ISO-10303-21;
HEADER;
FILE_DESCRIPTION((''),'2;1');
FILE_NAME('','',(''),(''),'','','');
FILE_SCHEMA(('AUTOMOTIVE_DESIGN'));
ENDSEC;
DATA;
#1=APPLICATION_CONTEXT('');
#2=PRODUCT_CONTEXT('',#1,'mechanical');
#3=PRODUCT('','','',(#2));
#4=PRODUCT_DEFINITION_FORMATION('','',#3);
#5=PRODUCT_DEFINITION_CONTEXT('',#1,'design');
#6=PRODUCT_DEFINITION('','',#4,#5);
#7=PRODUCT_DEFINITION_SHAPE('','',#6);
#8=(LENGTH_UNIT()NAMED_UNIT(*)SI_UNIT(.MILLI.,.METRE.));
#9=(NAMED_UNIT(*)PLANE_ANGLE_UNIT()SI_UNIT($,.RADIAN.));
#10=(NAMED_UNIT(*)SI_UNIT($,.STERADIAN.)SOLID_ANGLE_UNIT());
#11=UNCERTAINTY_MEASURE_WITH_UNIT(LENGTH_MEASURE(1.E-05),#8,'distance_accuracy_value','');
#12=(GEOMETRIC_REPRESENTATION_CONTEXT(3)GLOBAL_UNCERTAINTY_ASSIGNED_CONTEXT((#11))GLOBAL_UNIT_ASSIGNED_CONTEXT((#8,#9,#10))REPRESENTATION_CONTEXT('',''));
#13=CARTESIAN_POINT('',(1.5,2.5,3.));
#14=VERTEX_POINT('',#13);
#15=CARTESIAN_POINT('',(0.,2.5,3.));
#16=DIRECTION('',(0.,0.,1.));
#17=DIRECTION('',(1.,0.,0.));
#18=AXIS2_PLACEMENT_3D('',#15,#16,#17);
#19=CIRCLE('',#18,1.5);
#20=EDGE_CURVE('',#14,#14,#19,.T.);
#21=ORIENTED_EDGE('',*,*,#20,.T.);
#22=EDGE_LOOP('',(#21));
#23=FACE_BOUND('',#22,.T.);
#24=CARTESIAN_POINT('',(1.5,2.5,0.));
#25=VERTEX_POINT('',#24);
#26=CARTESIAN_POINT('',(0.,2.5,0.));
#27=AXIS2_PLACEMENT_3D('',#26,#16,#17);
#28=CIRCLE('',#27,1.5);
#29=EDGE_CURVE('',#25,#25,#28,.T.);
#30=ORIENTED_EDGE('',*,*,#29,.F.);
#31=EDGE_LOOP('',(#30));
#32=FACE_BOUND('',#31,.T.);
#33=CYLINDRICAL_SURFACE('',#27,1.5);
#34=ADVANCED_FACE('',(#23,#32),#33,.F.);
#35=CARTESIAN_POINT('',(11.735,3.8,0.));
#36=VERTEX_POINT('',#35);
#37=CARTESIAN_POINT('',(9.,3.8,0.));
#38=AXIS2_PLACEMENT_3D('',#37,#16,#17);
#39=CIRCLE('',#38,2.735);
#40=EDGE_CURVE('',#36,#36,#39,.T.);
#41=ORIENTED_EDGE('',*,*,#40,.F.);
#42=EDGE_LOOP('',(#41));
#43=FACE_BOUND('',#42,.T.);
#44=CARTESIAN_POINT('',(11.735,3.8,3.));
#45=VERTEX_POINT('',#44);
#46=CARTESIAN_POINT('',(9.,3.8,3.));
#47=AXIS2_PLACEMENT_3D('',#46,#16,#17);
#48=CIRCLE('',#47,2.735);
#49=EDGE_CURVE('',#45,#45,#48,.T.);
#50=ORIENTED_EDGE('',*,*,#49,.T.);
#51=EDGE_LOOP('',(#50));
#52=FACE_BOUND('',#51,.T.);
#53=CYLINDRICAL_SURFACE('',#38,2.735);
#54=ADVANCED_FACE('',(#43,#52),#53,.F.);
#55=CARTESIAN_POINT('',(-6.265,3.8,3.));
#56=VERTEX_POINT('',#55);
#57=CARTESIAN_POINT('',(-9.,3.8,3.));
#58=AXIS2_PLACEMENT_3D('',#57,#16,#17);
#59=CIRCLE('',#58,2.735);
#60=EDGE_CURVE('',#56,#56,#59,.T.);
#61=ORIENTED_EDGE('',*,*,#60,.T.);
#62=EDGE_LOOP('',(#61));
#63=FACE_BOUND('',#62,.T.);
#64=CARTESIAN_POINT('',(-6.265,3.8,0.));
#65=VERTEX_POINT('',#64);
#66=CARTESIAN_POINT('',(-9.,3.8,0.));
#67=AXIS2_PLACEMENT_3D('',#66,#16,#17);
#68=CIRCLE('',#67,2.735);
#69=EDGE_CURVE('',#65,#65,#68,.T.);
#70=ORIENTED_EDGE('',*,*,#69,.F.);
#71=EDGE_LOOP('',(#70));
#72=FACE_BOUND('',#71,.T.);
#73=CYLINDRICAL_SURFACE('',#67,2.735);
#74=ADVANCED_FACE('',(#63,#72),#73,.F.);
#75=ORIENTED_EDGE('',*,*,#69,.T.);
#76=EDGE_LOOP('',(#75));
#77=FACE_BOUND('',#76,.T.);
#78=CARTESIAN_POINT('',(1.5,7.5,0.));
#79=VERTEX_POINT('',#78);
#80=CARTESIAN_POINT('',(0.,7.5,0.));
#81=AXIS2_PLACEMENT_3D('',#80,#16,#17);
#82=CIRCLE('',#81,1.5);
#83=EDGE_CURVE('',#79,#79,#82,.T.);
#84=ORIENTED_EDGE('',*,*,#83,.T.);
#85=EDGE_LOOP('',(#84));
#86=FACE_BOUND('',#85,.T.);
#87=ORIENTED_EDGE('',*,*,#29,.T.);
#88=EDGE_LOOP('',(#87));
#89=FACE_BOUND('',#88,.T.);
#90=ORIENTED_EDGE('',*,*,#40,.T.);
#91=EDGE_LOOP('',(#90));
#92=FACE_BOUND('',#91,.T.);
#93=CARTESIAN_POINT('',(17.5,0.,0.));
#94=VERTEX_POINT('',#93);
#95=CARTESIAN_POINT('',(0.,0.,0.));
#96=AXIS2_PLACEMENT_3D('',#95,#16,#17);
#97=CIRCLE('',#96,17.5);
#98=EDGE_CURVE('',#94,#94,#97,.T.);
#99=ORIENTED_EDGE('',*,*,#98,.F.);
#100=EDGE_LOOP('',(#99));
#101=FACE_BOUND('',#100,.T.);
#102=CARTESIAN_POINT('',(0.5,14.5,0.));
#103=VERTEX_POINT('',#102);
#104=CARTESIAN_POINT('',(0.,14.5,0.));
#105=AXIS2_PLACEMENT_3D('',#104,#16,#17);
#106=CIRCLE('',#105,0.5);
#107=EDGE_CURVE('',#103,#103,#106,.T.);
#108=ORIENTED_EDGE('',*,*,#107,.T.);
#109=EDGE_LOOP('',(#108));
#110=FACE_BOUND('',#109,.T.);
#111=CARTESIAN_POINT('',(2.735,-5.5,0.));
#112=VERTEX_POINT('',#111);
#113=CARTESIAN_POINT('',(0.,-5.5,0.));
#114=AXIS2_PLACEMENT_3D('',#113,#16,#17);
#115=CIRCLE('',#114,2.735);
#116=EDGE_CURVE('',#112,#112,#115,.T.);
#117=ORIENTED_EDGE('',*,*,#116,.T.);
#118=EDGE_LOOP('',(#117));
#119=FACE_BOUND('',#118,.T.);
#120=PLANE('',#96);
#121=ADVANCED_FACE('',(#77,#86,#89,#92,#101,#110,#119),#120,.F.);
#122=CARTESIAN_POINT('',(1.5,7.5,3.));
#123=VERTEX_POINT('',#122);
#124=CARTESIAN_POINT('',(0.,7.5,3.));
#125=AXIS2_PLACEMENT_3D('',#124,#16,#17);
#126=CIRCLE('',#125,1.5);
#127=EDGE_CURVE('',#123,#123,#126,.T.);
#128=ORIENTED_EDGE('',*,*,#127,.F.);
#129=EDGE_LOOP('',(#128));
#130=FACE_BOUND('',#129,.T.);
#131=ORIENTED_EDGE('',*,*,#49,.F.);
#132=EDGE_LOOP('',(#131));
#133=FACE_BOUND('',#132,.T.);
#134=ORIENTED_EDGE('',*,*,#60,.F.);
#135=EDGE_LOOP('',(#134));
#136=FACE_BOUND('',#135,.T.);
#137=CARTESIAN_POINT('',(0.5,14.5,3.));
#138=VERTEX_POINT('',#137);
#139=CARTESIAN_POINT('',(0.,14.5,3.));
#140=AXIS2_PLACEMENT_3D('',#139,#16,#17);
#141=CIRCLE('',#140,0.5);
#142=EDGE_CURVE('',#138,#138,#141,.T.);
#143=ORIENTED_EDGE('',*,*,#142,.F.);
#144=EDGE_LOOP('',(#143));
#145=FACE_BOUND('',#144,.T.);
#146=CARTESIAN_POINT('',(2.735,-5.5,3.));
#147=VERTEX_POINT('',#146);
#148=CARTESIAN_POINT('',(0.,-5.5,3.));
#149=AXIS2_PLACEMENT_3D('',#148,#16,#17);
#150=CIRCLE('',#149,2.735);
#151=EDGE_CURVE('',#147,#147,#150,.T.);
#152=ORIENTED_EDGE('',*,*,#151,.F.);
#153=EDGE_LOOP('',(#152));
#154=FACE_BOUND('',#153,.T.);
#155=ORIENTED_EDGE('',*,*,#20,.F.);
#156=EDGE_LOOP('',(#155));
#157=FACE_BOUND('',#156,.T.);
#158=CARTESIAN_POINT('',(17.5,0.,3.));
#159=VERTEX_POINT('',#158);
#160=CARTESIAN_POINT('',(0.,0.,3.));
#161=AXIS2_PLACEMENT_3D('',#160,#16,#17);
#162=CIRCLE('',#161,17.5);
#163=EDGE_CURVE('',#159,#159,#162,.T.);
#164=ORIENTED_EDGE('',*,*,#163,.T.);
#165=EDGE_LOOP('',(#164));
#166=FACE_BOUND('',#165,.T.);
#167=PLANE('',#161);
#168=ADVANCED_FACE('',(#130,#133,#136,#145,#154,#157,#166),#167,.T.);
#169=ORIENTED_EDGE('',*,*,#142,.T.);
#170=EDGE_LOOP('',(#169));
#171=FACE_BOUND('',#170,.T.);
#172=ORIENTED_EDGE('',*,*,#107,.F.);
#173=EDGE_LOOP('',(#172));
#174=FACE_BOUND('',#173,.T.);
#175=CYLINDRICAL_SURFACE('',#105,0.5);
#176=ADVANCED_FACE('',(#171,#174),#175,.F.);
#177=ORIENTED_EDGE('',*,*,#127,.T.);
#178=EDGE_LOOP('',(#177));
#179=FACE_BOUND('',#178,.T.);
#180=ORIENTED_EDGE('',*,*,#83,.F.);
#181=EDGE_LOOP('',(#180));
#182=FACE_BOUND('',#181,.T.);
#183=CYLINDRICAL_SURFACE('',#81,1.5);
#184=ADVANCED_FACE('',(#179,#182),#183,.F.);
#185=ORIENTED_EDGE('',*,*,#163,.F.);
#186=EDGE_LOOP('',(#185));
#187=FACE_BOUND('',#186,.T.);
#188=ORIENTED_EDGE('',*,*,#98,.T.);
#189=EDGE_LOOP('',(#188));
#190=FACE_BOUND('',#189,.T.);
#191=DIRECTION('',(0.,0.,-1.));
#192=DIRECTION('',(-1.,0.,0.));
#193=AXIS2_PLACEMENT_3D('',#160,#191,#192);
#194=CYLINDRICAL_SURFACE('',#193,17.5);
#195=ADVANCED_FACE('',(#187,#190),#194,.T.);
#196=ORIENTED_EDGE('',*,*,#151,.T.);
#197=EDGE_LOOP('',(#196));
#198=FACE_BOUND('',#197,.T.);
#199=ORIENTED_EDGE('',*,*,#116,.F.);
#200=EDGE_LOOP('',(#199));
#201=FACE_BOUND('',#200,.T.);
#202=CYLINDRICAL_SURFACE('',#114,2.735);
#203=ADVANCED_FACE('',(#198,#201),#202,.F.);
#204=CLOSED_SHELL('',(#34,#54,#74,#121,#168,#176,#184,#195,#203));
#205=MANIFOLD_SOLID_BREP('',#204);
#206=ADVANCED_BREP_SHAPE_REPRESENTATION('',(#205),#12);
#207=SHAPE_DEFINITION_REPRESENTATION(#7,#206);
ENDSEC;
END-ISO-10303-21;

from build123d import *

# Parameters (mm, degrees)
SKETCH1_R           = 17.5
BOSS_EXTRUDE1_DEPTH = 3
SKETCH2_R           = 2.735
SKETCH2_R_2         = 0.5
CUT_EXTRUDE1_DEPTH  = 3
SKETCH3_R           = 1.5
CUT_EXTRUDE2_DEPTH  = 3


with BuildPart() as part:
    # Sketch1 → Boss-Extrude1 (new body)
    with BuildSketch(Plane.XY):
        Circle(SKETCH1_R)
    extrude(amount=BOSS_EXTRUDE1_DEPTH)

    # Sketch2 → Cut-Extrude1 (cut)
    with BuildSketch(Plane.XY.offset(3)):
        with Locations((0, -5.5)):
            Circle(SKETCH2_R)
        with Locations((0, 14.5)):
            Circle(SKETCH2_R_2)
        with Locations((-9, 3.8)):
            Circle(SKETCH2_R)
        with Locations((9, 3.8)):
            Circle(SKETCH2_R)
    extrude(amount=-CUT_EXTRUDE1_DEPTH, mode=Mode.SUBTRACT)

    # Sketch3 → Cut-Extrude2 (cut)
    with BuildSketch(Plane.XY.offset(3)):
        with Locations((0, 7.5)):
            Circle(SKETCH3_R)
        with Locations((0, 2.5)):
            Circle(SKETCH3_R)
    extrude(amount=-CUT_EXTRUDE2_DEPTH, mode=Mode.SUBTRACT)


solid = part.part
